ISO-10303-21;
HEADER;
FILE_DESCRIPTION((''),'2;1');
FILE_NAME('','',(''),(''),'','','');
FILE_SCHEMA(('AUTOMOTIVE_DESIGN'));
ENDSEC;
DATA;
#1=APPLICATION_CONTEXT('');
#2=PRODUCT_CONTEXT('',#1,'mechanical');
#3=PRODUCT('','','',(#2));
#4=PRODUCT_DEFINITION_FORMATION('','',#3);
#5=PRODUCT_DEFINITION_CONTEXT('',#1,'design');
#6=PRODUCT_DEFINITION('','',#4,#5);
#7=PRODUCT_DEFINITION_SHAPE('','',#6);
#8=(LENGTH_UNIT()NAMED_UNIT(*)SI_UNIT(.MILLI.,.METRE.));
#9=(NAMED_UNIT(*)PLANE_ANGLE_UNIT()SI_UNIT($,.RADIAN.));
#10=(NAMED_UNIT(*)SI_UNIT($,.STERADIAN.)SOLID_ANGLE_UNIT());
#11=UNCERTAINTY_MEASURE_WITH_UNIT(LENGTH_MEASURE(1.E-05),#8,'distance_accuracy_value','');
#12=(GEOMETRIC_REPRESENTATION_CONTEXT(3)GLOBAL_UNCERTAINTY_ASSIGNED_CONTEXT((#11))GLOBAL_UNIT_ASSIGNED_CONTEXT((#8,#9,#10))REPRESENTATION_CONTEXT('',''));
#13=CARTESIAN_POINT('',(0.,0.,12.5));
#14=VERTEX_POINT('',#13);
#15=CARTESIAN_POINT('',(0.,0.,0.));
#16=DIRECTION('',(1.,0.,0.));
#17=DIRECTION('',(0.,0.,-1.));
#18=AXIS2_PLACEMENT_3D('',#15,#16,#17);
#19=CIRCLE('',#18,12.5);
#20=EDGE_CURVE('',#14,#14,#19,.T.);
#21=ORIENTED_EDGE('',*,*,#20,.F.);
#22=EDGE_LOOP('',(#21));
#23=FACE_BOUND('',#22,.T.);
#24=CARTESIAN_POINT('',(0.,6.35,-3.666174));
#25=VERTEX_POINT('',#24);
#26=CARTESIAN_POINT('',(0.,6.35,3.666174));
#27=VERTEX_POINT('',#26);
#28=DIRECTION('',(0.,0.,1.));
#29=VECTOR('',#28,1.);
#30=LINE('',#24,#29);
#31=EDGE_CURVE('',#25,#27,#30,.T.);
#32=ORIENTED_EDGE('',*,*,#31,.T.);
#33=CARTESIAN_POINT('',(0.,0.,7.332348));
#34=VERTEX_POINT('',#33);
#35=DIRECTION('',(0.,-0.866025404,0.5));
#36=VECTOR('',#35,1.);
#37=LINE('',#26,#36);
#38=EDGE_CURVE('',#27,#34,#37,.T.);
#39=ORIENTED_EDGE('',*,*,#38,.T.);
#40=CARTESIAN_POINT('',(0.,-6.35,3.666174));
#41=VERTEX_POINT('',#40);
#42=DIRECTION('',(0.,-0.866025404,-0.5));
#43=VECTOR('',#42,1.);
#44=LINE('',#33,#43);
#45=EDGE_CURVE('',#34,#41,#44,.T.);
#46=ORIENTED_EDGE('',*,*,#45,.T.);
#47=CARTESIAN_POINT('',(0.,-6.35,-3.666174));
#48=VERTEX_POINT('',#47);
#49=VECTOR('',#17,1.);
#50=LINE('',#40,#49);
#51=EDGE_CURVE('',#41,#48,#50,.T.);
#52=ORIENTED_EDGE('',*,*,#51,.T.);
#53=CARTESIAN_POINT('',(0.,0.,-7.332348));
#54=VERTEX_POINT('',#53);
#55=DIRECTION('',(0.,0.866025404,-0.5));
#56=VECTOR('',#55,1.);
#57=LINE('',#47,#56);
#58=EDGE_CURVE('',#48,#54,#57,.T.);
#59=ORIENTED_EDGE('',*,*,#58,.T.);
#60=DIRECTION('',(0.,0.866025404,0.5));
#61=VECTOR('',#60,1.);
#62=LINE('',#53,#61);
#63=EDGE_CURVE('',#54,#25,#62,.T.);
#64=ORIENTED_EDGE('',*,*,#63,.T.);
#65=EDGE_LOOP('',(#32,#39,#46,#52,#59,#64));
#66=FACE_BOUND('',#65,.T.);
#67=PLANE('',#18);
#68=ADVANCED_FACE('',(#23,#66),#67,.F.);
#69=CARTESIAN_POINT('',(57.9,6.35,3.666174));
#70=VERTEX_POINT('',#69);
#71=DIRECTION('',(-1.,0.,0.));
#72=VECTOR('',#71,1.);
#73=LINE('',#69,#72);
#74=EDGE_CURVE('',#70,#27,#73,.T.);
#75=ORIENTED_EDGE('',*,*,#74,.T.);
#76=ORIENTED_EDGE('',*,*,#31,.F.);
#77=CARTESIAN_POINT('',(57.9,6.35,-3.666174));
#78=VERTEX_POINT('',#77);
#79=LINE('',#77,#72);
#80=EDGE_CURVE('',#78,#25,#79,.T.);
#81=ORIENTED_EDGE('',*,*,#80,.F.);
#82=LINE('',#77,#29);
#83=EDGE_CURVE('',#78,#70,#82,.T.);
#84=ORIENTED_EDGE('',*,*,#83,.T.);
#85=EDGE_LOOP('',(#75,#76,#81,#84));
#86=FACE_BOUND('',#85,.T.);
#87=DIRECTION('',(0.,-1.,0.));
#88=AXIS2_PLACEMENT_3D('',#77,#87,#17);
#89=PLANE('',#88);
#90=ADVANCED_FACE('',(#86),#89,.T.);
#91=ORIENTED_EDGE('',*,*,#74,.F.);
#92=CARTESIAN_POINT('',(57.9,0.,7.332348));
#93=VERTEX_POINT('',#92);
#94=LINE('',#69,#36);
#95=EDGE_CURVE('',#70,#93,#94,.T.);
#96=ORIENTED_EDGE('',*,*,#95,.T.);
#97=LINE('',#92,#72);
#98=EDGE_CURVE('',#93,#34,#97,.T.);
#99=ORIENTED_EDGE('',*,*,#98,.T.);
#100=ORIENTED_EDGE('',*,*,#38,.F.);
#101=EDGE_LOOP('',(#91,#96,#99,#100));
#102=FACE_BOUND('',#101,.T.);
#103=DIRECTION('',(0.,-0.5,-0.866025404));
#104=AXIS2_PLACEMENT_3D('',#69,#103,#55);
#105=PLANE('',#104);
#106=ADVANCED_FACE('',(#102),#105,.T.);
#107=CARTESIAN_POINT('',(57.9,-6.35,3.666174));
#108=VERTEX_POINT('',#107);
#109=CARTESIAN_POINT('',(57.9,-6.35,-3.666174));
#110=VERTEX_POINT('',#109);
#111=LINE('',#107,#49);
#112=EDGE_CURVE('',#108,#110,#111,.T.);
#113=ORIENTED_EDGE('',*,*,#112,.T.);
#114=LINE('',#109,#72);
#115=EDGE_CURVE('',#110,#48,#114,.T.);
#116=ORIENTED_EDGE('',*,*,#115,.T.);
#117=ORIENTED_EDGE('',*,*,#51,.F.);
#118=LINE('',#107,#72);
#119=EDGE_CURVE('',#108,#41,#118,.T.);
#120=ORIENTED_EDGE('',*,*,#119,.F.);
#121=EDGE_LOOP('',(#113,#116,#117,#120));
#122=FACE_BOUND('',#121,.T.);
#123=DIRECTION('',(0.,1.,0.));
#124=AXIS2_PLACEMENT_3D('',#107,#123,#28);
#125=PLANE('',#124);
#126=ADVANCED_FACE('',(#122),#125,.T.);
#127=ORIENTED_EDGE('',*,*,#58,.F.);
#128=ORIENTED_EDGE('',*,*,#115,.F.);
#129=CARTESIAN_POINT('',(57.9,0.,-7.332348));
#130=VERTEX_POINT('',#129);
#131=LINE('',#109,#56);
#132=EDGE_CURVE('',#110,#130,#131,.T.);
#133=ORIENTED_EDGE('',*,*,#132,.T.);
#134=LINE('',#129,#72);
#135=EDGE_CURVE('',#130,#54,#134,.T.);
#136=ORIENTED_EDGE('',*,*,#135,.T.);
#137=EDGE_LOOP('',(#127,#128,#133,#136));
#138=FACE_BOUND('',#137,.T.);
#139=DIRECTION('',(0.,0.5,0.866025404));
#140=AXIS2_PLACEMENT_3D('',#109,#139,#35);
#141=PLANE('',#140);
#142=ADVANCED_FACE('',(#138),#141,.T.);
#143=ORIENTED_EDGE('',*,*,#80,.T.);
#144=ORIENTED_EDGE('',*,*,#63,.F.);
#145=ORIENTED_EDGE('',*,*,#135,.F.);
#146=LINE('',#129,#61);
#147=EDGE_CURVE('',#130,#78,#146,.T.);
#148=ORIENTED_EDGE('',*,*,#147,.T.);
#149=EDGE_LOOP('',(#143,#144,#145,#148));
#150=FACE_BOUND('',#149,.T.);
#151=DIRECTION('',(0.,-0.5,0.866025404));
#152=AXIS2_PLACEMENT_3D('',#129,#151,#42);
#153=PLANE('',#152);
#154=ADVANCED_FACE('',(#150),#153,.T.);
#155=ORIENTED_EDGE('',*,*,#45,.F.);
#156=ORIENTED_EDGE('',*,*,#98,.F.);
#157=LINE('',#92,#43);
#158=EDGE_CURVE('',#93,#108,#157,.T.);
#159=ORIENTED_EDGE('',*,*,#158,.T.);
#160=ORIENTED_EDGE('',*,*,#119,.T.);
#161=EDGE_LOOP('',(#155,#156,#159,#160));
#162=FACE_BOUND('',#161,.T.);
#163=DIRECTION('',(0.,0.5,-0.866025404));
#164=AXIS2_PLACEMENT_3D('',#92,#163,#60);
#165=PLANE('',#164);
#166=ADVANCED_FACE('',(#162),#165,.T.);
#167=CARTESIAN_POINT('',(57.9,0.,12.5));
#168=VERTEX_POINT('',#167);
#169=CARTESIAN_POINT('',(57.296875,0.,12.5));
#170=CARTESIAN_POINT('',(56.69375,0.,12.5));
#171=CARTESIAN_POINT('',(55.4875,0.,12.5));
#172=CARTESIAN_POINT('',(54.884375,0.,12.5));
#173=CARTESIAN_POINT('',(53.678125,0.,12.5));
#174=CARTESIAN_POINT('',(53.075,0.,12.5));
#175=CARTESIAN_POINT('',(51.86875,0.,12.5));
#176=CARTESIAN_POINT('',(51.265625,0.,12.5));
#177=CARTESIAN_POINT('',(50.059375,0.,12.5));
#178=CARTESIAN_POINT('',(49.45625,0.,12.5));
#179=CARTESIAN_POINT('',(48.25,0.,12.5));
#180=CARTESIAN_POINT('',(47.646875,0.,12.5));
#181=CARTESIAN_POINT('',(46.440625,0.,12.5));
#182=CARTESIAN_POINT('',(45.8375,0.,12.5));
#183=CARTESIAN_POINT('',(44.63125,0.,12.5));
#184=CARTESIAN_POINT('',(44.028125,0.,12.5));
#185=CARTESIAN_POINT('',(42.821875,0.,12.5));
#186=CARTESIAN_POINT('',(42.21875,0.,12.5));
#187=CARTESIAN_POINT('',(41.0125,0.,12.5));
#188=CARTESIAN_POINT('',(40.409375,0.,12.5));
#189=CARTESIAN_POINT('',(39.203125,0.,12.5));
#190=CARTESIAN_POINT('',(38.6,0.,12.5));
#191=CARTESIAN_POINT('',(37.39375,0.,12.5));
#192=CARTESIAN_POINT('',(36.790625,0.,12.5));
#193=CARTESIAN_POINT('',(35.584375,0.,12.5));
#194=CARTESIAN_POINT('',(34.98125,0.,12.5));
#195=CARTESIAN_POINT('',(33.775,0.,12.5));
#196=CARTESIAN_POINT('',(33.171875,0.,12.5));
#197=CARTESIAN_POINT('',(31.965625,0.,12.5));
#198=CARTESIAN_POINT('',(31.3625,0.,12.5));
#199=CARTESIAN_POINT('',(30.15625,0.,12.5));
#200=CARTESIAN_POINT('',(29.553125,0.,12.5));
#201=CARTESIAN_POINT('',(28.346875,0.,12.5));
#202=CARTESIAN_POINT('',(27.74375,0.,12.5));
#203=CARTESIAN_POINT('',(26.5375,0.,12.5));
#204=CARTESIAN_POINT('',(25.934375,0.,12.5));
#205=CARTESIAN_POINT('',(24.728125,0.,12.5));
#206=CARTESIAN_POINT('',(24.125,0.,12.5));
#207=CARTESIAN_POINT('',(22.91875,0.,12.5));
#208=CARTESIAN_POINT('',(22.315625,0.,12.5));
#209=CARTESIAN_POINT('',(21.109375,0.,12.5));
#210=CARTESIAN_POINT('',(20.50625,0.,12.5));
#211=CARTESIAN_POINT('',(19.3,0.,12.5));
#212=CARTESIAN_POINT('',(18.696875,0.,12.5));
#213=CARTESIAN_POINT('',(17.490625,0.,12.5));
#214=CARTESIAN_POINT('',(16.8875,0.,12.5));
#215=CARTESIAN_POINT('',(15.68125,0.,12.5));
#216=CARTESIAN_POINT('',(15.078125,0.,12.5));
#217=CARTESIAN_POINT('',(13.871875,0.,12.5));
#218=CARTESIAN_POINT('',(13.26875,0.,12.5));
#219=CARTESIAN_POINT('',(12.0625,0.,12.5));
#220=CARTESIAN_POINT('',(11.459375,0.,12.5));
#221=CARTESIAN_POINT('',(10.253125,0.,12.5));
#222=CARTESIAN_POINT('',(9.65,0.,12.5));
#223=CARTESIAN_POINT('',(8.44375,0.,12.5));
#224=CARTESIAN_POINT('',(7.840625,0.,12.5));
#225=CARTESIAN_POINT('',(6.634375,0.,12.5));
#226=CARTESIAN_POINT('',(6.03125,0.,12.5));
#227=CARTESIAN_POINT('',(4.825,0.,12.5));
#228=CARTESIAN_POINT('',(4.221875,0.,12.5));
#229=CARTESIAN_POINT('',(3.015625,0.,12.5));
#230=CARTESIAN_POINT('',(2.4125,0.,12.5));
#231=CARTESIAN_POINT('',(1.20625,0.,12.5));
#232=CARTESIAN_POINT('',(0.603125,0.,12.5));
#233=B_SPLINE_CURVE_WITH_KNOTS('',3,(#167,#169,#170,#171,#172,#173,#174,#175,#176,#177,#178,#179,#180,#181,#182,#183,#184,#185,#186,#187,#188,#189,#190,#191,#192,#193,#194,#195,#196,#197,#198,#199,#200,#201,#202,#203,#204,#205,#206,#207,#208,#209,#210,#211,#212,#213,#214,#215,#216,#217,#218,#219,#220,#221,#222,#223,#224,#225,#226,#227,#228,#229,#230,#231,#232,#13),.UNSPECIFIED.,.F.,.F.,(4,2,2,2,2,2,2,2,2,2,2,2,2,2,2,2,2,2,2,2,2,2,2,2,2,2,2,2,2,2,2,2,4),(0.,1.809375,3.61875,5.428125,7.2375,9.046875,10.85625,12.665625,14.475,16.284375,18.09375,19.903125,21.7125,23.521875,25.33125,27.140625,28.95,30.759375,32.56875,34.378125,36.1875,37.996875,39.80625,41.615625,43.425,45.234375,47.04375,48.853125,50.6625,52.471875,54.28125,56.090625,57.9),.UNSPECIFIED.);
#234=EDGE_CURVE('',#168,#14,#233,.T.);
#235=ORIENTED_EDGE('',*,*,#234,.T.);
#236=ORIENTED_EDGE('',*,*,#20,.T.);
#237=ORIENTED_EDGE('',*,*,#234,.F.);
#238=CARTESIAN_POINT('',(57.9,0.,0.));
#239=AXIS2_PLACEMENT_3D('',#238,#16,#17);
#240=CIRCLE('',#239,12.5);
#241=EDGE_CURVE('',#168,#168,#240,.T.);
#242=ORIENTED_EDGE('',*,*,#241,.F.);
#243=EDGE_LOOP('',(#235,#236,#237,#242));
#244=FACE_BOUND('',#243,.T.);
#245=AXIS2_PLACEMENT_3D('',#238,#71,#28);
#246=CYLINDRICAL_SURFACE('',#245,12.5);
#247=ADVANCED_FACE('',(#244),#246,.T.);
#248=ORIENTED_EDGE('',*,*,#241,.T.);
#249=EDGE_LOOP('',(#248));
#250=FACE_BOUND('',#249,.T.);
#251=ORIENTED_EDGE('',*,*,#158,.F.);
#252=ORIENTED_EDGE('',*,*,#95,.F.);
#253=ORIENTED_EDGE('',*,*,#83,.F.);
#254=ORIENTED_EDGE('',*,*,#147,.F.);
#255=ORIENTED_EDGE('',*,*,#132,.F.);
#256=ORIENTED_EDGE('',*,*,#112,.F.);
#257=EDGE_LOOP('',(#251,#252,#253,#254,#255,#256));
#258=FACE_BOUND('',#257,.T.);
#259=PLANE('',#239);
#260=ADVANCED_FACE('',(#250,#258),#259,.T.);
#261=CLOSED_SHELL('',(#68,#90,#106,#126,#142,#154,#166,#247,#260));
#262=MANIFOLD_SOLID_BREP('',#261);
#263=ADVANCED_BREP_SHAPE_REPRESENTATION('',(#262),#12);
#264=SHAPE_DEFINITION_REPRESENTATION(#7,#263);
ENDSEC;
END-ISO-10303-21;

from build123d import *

# Parameters (mm, degrees)
CROQUIS1_R              = 12.5
SALIENTE_EXTRUIR1_DEPTH = 57.9


with BuildPart() as part:
    # Croquis1 → Saliente-Extruir1 (new body)
    with BuildSketch(Plane(origin=(0, 0, 0), x_dir=(0, 0, -1), z_dir=(1, 0, 0))):
        with Locations(Location((0, 0, 0), (0, 0, 180))):
            Circle(CROQUIS1_R)
        Polygon((7.332348419, 0), (3.666174209, 6.35), (-3.666174209, 6.35), (-7.332348419, 0), (-3.666174209, -6.35), (3.666174209, -6.35), align=None, mode=Mode.SUBTRACT)
    extrude(amount=SALIENTE_EXTRUIR1_DEPTH)


solid = part.part
